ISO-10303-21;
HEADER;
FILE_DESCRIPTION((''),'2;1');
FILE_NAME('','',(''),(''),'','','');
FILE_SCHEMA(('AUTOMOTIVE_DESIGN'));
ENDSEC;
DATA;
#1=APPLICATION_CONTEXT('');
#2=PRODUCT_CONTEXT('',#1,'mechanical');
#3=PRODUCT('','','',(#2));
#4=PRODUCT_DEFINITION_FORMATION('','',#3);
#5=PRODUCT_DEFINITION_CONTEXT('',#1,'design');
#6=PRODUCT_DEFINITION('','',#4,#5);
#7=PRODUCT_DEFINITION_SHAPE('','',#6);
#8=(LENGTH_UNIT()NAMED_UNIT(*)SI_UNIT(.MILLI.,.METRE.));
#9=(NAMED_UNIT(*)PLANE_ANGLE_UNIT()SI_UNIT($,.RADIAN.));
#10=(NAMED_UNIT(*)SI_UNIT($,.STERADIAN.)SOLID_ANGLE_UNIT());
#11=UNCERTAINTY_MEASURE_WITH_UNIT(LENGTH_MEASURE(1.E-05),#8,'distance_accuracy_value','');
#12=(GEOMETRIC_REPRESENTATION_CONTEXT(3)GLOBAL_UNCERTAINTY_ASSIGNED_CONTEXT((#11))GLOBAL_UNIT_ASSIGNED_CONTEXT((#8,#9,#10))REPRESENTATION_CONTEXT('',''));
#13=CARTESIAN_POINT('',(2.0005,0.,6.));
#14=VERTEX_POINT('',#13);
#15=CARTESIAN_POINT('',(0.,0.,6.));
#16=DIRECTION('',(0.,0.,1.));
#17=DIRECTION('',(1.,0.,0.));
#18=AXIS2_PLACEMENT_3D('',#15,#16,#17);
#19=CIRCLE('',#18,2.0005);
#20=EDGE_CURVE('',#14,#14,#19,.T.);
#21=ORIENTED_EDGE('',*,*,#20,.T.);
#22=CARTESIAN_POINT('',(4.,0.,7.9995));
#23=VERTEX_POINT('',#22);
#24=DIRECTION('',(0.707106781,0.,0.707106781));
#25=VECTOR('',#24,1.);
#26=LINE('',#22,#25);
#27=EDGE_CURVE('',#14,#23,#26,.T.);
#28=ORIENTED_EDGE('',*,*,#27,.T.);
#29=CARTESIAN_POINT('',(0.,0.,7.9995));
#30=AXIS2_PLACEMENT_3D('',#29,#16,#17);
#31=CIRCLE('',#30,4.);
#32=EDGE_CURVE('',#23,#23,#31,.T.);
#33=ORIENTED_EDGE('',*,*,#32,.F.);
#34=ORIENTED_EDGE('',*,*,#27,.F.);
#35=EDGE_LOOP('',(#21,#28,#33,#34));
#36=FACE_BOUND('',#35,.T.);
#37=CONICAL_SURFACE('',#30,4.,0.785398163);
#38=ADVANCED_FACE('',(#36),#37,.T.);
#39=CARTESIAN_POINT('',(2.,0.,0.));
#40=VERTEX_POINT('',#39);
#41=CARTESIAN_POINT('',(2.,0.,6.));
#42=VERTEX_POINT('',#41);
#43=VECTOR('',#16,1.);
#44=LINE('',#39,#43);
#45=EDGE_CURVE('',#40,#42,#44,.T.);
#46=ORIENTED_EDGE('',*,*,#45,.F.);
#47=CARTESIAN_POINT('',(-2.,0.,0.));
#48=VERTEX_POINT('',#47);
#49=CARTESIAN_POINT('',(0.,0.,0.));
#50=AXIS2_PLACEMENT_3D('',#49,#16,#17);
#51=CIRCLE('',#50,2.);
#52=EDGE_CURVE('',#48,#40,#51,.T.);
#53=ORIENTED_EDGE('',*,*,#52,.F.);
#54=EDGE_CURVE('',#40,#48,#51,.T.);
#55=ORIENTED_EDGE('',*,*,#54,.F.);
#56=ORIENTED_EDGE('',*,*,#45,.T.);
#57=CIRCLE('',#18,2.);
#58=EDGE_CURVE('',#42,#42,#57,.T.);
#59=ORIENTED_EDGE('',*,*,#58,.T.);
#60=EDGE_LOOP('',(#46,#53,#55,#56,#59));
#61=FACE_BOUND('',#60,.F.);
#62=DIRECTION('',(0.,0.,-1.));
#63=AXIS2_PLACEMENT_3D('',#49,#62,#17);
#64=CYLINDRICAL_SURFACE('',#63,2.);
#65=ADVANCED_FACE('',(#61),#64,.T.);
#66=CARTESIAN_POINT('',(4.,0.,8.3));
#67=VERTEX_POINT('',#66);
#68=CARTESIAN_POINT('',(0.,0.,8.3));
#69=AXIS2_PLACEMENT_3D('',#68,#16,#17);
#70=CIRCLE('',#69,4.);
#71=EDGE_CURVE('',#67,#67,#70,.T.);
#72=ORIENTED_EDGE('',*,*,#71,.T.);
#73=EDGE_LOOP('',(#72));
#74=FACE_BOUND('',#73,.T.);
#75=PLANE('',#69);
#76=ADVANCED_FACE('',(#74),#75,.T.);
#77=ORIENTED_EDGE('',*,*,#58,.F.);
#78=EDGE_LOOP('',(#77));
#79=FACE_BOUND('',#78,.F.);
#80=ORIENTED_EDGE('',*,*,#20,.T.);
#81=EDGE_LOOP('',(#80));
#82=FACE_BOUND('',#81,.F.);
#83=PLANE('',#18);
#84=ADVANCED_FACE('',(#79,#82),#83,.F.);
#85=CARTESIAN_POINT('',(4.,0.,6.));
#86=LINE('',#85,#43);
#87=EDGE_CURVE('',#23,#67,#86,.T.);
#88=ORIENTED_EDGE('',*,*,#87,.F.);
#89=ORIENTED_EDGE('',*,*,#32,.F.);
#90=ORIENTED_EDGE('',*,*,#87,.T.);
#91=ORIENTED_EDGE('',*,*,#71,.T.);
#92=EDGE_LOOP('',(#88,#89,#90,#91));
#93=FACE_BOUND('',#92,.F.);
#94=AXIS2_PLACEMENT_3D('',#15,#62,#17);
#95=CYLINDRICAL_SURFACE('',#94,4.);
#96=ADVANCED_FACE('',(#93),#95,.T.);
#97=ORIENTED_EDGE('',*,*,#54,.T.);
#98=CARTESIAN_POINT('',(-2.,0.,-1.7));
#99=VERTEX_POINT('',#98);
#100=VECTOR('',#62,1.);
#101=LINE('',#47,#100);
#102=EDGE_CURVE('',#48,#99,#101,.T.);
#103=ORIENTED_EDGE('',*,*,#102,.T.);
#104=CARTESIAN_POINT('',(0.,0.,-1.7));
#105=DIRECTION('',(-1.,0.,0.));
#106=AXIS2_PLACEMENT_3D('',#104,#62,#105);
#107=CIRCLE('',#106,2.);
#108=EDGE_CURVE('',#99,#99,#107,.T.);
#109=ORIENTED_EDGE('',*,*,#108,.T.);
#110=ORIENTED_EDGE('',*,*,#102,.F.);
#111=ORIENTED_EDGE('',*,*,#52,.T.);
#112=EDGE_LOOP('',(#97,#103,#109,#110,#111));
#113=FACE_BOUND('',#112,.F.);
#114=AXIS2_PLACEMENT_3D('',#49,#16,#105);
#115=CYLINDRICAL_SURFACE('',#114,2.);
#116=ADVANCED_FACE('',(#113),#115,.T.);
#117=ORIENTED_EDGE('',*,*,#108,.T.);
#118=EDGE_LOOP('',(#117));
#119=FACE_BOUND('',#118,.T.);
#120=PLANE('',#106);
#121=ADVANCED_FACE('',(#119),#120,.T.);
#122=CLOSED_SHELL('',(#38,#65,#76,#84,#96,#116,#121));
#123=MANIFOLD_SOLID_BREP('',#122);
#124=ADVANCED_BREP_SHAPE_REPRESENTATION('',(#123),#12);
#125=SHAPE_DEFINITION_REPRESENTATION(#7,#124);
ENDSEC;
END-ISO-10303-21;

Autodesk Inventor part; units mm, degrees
ref_plane "YZ Plane" through (0, 0, 0) normal (1, 0, 0) x (0, 1, 0)
ref_plane "XZ Plane" through (0, 0, 0) normal (0, 1, 0) x (-1, 0, 0)
ref_plane "XY Plane" through (0, 0, 0) normal (0, 0, 1) x (1, 0, 0)
sketch "スケッチ1" plane through (0, 0, 0) normal (0, 0, 1) x (1, 0, 0)
  circle A0 centre (0, 0) radius 2
  dimension "d0" = 4
extrude "押し出し1" add sketch "スケッチ1" along normal blind 6
sketch "スケッチ2" plane through (0, 0, 6) normal (0, 0, 1) x (1, 0, 0)
  circle A0 centre (0, 0) radius 2 projected
  circle A1 centre (0, 0) radius 4
  dimension "d3" = 8
extrude "押し出し2" add sketch "スケッチ2" along normal blind 2.3 contours A0 | A1
thread "ねじ1" size "M4x0.7" class "6g" standard "ANSI Metric M Profile" full length
chamfer "面取り1" distance 2 angle 45 1 edges at (-4, 0, 6)
sketch "スケッチ4" plane through (0, 0, 0) normal (0, 0, -1) x (-1, 0, 0)
  circle A0 centre (0, 0) radius 2
extrude "押し出し4" add sketch "スケッチ4" along normal blind 1.7
properties part number "SB　M4 10mm 皿ネジ" material "Stainless Steel, 440C"
